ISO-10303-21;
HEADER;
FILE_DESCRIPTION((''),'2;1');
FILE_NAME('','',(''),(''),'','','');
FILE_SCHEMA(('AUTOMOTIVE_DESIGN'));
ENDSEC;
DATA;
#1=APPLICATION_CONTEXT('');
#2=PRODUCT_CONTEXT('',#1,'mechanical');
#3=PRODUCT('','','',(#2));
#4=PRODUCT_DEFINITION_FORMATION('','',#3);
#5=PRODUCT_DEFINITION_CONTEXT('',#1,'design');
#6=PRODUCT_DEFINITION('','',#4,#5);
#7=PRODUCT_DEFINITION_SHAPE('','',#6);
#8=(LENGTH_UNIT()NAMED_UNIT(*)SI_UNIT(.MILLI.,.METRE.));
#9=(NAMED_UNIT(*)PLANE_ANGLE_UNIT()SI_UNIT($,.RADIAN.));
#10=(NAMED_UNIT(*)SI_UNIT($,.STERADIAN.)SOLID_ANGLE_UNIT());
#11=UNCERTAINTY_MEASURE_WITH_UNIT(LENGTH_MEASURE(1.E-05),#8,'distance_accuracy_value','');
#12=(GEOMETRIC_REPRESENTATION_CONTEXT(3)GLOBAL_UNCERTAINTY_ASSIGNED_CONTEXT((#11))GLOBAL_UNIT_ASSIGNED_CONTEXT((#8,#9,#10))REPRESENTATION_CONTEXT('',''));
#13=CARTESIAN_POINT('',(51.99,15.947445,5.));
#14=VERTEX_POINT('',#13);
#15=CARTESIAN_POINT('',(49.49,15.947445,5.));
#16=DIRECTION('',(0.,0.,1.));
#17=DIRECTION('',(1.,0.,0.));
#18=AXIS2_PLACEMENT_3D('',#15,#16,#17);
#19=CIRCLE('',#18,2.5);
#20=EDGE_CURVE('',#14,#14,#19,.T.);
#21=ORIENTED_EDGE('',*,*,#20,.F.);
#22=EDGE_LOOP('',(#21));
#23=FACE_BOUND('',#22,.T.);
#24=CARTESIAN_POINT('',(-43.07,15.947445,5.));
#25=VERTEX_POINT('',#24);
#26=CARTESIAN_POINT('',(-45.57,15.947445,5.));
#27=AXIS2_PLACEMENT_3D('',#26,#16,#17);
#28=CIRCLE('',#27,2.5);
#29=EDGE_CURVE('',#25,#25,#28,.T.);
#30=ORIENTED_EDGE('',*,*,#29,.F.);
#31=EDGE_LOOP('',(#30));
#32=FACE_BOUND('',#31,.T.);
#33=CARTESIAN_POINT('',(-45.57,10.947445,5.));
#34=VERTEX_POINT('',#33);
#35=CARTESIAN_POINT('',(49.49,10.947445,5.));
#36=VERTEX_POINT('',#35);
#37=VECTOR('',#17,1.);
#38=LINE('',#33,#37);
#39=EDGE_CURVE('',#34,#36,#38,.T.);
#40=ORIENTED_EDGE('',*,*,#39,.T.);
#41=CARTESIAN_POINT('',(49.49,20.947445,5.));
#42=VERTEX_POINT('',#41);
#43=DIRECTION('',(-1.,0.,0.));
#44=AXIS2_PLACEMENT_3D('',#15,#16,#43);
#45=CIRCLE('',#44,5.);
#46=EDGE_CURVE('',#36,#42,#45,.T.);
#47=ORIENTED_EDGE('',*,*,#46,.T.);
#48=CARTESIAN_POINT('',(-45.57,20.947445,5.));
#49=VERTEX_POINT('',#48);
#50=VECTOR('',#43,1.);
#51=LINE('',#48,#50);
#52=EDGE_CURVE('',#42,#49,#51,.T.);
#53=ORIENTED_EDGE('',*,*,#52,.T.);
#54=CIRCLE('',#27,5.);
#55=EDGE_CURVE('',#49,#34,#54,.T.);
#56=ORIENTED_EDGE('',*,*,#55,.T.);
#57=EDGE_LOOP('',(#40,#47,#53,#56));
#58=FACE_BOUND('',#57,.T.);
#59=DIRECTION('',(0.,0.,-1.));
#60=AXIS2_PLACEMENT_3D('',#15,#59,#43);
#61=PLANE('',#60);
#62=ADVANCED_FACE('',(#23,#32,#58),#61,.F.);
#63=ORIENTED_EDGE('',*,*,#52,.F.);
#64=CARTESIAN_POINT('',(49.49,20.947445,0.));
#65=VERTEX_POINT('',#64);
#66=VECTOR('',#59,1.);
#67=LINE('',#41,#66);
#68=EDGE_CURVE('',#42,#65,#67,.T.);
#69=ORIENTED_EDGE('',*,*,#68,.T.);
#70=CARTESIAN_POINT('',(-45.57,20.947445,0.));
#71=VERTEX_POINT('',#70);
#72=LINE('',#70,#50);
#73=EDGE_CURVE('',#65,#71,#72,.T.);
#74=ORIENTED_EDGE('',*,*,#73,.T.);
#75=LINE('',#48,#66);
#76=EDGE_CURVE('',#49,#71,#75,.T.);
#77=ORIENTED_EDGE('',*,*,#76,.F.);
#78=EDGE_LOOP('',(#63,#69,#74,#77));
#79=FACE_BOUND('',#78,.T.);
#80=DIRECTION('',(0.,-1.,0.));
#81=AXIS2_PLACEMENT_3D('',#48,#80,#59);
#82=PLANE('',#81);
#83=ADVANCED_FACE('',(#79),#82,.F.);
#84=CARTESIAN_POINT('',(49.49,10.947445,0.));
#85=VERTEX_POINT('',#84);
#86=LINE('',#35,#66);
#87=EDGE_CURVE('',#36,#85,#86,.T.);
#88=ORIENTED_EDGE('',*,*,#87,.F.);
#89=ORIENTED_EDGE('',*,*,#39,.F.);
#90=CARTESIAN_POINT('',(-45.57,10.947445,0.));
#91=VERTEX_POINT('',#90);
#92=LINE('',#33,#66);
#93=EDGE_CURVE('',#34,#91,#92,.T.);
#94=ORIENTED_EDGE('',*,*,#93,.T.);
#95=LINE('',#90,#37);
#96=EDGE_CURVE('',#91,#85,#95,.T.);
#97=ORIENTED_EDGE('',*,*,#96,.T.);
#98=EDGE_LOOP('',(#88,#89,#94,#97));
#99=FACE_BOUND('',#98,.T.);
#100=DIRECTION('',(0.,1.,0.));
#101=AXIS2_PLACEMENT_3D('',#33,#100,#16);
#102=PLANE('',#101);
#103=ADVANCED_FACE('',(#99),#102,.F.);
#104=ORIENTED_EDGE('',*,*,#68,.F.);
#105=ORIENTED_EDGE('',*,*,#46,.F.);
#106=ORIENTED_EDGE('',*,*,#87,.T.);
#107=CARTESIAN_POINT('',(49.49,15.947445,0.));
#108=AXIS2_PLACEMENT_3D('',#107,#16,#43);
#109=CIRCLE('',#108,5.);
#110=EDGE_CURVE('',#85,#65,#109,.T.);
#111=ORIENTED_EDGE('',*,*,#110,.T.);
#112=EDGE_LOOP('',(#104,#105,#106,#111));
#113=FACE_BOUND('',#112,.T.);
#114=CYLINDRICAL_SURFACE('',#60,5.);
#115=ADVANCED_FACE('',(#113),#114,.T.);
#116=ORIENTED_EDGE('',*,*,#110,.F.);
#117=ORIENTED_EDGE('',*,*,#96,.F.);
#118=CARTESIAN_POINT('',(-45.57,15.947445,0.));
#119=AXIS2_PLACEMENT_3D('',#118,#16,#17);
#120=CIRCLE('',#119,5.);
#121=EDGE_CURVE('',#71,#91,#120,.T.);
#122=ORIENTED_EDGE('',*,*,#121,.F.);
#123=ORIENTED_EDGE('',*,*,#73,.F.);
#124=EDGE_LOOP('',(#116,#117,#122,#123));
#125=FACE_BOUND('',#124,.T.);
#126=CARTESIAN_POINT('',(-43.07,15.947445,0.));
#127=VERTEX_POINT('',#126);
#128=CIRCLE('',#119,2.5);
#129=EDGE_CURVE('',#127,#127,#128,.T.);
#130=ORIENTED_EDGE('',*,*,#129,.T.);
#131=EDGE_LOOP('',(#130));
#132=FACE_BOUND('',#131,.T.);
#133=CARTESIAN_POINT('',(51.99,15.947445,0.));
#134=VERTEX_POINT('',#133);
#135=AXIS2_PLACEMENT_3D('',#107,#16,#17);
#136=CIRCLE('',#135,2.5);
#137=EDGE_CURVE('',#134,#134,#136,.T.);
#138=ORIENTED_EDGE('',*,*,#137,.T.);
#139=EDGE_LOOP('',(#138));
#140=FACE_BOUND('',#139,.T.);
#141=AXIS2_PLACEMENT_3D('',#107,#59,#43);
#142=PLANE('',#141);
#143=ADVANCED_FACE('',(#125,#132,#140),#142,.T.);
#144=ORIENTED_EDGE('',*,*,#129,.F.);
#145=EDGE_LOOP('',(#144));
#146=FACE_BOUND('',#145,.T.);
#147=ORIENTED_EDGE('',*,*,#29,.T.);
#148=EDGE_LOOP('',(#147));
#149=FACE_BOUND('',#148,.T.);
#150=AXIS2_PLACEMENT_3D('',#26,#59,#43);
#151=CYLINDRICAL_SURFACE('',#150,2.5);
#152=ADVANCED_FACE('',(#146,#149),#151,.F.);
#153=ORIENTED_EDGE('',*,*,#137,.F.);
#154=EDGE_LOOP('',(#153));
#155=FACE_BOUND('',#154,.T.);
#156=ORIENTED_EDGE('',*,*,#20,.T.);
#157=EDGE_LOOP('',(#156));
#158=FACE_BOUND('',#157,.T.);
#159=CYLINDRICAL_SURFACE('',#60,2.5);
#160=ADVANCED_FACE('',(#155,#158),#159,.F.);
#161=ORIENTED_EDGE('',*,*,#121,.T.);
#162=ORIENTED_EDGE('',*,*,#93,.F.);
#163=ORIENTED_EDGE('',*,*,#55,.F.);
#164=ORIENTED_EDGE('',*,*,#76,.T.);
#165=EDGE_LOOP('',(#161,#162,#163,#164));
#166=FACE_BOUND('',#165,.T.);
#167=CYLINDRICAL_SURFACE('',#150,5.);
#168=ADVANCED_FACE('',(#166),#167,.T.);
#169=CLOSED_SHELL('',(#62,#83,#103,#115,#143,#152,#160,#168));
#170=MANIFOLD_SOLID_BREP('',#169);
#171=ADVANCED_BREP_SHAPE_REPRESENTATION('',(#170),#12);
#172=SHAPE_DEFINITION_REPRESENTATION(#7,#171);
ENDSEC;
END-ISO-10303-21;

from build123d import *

# Parameters (mm, degrees)
ESBO_O1_R                = 2.5
RESSALTO_EXTRUS_O1_DEPTH = 5


with BuildPart() as part:
    # Esboço1 → Ressalto-extrusão1 (new body)
    with BuildSketch(Plane.XY):
        with BuildLine():
            Line((-45.57, 20.94744466), (49.49, 20.94744466))
            ThreePointArc((49.49, 20.94744466), (54.49, 15.94744466), (49.49, 10.94744466))
            Line((49.49, 10.94744466), (-45.57, 10.94744466))
            ThreePointArc((-45.57, 10.94744466), (-50.57, 15.94744466), (-45.57, 20.94744466))
        make_face()
        with Locations((-45.57, 15.94744466)):
            Circle(ESBO_O1_R, mode=Mode.SUBTRACT)
        with Locations((49.49, 15.94744466)):
            Circle(ESBO_O1_R, mode=Mode.SUBTRACT)
    extrude(amount=RESSALTO_EXTRUS_O1_DEPTH)


solid = part.part
